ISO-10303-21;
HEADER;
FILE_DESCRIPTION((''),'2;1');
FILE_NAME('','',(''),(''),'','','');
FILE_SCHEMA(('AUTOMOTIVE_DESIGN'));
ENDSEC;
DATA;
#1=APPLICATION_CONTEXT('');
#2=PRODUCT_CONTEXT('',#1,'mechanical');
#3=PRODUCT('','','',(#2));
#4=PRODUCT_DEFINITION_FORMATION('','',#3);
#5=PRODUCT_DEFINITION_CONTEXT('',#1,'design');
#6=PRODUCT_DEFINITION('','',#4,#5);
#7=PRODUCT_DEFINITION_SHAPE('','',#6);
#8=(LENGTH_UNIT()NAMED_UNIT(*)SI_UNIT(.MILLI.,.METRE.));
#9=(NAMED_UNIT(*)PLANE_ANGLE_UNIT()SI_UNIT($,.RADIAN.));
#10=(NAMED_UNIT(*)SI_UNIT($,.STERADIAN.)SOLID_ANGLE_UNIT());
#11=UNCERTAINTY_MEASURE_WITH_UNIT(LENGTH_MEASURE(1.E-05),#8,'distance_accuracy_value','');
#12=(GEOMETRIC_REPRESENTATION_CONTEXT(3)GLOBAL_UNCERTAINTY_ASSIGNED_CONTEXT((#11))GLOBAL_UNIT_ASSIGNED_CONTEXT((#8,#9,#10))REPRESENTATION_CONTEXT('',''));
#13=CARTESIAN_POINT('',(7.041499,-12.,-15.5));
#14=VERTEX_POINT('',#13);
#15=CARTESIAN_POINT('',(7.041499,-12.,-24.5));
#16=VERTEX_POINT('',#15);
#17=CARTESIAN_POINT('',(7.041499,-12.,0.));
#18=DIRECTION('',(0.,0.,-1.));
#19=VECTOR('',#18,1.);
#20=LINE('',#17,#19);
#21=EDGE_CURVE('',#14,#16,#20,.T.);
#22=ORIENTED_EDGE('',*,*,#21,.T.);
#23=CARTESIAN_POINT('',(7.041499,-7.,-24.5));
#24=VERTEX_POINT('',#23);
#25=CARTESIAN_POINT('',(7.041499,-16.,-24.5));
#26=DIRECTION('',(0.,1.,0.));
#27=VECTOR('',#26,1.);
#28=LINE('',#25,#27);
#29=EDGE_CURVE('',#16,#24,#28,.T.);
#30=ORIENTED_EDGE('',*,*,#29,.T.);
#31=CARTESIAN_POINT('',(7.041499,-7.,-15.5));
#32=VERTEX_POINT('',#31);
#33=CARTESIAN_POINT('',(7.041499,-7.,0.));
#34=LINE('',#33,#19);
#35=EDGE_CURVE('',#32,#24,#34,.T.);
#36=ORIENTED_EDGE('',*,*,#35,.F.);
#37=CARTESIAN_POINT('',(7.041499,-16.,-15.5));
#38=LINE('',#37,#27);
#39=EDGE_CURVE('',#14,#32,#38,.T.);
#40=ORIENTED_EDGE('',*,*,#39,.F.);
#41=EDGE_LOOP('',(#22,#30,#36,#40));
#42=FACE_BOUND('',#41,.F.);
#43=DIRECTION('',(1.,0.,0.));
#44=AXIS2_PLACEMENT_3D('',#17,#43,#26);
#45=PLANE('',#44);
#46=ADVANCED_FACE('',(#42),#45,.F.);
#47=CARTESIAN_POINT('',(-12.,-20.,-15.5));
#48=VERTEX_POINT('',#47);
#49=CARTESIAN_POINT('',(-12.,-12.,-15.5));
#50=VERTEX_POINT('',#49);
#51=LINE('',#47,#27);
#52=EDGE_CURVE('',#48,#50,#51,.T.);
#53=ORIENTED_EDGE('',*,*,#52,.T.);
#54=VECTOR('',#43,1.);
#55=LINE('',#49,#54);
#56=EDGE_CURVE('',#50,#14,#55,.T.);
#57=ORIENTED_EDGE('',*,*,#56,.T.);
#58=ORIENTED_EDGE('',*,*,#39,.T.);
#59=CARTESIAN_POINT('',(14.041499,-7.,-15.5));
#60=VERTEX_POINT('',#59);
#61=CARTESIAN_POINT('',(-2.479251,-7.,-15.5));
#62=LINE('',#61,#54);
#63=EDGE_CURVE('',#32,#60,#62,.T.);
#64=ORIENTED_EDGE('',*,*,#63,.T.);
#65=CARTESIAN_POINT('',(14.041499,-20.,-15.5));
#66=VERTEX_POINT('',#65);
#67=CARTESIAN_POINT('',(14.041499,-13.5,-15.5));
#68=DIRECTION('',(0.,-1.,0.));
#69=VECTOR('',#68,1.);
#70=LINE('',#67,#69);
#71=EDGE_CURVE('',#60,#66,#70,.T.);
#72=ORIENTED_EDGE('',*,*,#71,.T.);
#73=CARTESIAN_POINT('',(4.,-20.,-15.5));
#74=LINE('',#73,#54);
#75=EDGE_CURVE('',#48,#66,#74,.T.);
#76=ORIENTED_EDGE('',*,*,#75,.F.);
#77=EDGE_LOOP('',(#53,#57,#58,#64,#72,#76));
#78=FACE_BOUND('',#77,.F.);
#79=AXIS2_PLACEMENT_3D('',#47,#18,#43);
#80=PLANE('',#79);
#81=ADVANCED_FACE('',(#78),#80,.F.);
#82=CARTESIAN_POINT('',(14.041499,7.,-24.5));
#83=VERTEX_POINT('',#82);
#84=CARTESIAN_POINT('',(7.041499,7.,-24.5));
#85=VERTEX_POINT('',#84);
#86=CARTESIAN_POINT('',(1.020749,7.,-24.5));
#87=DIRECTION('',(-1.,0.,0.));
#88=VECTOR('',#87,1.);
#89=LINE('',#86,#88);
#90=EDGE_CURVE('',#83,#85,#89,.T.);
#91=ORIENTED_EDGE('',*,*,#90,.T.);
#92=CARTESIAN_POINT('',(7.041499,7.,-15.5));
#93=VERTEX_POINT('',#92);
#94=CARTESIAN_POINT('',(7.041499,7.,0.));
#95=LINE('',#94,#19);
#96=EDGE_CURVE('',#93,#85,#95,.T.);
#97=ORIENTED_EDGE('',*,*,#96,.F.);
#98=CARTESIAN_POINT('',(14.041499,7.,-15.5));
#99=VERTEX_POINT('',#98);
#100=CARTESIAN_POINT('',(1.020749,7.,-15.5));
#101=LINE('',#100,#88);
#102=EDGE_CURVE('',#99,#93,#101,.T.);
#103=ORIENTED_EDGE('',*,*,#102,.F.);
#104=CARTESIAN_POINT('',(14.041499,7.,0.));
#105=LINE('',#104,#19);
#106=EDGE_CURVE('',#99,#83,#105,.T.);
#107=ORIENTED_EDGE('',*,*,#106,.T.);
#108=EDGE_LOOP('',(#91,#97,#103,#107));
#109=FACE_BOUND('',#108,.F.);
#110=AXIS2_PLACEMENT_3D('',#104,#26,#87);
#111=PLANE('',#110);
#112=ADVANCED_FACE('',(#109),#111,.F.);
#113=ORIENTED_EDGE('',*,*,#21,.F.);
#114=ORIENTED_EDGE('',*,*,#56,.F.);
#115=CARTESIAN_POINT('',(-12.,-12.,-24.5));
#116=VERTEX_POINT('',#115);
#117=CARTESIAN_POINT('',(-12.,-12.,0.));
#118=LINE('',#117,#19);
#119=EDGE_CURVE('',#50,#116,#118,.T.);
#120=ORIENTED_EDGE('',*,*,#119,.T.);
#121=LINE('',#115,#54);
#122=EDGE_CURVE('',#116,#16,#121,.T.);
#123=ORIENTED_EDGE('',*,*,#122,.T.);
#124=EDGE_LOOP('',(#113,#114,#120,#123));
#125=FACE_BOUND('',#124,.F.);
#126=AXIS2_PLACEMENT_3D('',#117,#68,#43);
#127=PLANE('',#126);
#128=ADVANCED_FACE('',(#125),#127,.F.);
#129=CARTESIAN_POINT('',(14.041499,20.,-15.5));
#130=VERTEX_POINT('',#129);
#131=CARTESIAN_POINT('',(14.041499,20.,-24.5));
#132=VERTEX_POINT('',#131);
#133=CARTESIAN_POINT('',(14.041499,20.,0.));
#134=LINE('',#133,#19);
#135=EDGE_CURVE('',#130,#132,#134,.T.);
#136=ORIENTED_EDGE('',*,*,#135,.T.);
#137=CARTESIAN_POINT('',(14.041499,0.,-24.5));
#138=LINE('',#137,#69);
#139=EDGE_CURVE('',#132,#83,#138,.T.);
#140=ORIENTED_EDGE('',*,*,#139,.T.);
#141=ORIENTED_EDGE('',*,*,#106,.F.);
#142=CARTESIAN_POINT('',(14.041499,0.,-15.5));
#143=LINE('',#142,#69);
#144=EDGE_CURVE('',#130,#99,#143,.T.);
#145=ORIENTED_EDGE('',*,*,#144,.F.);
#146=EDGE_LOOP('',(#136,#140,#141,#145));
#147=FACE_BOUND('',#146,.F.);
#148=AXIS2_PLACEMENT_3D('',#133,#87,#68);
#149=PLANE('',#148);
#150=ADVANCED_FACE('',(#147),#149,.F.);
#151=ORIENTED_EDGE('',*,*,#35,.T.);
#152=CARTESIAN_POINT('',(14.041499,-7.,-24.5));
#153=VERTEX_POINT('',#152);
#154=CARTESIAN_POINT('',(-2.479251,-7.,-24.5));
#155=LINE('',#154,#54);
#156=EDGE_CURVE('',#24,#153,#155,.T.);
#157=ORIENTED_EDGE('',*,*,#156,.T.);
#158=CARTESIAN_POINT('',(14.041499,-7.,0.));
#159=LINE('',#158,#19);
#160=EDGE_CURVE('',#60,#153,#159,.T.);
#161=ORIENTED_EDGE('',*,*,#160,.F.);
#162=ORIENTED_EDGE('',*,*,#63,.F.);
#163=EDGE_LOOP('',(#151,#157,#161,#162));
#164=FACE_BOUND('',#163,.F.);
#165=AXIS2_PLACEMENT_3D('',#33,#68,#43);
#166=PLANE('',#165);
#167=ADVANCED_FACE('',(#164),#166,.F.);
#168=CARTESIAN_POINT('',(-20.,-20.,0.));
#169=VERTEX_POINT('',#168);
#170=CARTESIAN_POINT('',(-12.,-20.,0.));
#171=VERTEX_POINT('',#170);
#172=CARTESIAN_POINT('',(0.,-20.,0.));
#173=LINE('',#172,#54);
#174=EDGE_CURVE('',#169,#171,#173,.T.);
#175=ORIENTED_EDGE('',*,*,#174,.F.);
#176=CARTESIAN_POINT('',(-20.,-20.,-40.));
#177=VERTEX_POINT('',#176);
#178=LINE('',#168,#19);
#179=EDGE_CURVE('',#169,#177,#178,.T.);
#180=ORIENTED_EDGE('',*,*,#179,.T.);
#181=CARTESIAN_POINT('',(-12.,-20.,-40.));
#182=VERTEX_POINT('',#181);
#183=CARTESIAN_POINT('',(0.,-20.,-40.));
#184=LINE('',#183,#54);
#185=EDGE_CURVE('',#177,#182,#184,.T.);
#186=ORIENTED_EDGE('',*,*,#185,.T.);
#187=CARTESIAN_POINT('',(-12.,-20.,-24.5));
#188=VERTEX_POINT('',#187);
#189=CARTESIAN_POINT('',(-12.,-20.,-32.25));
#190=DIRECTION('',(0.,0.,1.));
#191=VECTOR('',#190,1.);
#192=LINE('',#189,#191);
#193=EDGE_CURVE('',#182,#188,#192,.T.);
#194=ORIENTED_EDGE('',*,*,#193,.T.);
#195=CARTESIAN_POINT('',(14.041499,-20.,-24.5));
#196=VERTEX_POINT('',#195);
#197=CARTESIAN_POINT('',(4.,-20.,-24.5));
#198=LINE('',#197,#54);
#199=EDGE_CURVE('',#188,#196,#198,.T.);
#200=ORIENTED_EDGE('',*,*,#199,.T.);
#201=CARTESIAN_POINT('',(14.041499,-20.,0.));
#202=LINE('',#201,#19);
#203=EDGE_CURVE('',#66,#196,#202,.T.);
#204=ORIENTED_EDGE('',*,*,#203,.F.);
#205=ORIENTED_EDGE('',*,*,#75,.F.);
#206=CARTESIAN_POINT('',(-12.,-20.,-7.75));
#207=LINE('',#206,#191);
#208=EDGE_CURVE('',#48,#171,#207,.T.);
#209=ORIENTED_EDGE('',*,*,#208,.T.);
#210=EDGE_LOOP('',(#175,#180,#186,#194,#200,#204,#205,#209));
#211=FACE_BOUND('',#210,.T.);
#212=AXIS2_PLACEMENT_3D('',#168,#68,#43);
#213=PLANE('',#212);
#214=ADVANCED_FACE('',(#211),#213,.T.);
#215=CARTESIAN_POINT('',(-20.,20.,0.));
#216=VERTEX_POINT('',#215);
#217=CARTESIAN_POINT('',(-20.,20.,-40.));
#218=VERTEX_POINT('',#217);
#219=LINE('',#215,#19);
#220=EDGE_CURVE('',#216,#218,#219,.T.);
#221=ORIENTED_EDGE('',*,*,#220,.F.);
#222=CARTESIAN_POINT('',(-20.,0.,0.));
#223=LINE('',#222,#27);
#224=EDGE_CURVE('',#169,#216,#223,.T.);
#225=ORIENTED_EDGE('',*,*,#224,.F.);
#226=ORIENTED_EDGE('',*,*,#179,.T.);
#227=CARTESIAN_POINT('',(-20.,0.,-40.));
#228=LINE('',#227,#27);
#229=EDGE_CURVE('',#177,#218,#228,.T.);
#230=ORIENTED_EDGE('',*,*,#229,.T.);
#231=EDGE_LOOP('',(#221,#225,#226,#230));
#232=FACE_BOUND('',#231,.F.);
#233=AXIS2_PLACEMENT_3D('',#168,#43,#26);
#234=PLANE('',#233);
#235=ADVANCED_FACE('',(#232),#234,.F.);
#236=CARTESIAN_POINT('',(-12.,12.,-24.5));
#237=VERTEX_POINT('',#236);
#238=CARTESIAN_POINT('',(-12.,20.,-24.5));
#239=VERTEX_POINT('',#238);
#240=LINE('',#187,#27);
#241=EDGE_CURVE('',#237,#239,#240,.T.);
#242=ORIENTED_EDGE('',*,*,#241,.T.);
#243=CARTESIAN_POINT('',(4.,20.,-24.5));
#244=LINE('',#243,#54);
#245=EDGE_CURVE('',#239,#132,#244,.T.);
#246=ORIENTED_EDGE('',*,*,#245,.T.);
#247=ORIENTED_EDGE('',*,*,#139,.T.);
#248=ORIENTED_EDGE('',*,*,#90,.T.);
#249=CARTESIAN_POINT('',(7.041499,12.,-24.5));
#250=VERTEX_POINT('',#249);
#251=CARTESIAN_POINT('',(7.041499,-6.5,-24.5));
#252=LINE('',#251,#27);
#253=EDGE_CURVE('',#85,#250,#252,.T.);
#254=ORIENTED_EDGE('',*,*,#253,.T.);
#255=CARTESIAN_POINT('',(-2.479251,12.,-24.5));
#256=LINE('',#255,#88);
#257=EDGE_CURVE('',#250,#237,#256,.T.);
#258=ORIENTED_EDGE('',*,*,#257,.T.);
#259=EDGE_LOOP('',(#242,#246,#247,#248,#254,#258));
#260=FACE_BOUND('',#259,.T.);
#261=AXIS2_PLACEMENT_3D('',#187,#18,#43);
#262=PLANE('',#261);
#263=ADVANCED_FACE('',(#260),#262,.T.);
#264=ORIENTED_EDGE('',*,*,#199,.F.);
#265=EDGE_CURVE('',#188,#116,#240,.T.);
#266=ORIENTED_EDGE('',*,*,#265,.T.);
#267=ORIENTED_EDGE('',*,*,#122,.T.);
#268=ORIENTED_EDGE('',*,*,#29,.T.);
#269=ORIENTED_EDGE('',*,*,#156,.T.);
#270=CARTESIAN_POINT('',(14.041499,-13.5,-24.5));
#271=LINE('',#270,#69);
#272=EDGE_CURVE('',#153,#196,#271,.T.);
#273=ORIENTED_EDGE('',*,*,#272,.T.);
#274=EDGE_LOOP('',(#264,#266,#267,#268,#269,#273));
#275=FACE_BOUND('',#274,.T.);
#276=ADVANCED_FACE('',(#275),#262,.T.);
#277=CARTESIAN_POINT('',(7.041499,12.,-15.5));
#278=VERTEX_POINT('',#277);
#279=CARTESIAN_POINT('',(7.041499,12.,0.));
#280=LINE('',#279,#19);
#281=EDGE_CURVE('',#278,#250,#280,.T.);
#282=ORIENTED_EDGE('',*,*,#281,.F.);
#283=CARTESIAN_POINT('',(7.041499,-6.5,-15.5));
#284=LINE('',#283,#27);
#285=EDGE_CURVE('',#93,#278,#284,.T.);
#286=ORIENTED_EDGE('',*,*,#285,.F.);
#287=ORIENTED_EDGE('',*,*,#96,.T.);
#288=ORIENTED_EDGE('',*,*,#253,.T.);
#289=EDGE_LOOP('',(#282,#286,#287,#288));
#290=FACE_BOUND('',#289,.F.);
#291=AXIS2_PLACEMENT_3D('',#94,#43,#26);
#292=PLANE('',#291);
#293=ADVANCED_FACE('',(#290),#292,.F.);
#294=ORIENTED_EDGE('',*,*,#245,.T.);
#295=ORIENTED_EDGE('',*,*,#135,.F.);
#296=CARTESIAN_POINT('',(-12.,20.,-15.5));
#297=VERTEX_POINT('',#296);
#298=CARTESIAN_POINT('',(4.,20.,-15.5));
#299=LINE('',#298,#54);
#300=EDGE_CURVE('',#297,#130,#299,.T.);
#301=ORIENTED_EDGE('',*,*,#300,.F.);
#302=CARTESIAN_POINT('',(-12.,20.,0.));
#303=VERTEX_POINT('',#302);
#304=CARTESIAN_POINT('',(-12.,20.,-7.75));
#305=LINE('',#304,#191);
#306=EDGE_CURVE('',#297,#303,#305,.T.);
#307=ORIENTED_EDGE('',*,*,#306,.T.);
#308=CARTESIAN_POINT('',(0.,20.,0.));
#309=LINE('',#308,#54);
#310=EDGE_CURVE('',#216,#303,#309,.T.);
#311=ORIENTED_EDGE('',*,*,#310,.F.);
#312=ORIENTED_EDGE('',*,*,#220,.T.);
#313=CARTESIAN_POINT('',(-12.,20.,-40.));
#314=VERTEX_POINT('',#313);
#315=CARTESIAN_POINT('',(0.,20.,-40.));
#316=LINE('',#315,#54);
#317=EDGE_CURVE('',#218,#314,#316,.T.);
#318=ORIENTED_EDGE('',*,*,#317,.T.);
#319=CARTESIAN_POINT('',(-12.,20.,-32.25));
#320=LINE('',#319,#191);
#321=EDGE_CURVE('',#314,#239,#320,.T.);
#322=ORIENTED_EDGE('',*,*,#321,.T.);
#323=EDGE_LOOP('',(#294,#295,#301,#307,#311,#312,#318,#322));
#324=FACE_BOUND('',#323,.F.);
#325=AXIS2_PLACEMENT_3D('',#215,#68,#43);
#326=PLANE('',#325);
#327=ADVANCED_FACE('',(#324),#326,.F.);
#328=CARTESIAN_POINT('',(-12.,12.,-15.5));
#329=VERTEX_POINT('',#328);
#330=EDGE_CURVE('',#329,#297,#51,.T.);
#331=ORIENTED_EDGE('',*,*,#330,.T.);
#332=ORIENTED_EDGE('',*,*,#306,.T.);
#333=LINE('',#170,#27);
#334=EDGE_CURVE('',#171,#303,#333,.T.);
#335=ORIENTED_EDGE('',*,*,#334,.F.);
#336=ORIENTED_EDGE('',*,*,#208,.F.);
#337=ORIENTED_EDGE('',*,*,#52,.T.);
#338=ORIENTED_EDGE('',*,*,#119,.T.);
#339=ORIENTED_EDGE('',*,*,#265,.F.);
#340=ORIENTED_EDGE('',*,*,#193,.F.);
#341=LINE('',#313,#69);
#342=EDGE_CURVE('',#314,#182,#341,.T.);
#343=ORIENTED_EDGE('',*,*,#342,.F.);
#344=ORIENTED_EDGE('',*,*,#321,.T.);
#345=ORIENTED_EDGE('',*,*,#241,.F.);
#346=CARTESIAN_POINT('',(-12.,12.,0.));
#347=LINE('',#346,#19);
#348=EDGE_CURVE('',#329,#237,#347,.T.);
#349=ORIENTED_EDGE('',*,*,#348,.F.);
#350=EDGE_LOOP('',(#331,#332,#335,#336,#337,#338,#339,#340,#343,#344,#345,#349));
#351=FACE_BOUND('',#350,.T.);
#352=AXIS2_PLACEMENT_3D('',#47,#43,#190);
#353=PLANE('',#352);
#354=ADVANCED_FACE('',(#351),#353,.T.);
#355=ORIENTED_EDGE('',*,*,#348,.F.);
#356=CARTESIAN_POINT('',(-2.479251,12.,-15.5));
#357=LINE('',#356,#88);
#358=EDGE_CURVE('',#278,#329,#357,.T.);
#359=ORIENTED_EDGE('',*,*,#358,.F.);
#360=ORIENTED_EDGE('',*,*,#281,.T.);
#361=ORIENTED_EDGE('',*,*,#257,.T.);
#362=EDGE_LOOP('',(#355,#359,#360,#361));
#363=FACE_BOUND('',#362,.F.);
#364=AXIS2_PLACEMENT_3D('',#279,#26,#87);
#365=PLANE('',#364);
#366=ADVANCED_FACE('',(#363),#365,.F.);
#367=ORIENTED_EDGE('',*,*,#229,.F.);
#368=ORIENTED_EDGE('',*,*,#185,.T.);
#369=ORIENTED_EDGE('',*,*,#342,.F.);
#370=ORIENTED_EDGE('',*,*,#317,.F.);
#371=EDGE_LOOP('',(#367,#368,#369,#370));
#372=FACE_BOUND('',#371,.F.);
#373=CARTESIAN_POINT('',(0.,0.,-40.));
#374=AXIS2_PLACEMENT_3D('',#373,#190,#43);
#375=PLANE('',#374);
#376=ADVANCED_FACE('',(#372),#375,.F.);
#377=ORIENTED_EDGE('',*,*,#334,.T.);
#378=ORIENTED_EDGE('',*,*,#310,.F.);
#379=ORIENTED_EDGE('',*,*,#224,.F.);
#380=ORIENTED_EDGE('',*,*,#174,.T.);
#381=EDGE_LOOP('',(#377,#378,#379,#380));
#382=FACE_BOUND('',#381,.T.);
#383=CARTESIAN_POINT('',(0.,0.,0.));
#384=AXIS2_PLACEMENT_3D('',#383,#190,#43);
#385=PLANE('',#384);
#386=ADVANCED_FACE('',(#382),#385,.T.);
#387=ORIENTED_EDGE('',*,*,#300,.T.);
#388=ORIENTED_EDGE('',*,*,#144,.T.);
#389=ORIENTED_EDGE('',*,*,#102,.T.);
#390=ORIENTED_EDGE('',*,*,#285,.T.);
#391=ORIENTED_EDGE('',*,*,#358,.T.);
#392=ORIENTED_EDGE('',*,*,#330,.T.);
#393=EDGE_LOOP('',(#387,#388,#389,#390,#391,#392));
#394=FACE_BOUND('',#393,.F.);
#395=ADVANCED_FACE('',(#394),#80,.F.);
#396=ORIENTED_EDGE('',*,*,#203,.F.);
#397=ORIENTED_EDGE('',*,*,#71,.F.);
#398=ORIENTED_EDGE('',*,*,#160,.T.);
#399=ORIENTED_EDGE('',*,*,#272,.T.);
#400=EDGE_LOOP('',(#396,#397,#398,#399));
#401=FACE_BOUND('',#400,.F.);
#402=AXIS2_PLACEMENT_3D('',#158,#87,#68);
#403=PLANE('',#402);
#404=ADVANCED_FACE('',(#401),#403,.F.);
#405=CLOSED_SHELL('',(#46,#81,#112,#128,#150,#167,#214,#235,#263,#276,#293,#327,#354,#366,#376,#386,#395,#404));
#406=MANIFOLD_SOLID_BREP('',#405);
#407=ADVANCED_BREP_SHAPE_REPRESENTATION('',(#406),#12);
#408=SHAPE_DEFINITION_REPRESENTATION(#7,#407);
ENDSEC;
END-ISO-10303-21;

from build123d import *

# Parameters (mm, degrees)
F0_W     = 40
F0_H     = 40
F1_DEPTH = 40
F4_DEPTH = 40
F3_W     = 32
F3_H     = 15.5
F5_DEPTH = 40
F6_DEPTH = 40


with BuildPart() as f1:
    # F0 (on Top) → F1 (new body)
    with BuildSketch(Plane.XY):
        Rectangle(F0_W, F0_H)
    extrude(amount=-F1_DEPTH)

    # F2 (on face) → F4 (cut)
    with BuildSketch(Plane.XY):
        Polygon((20, 20), (14.041499, 20), (14.041499, 7), (7.041499, 7), (7.041499, 12), (-12, 12), (-12, -12), (7.041499, -12), (7.041499, -7), (14.041499, -7), (14.041499, -20), (20, -20), align=None)
    extrude(amount=-F4_DEPTH, mode=Mode.SUBTRACT)

    # F3 (on face) → F5 (cut)
    with BuildSketch(Plane.XZ.offset(20)):
        with Locations((4, -7.75)):
            Rectangle(F3_W, F3_H)
    extrude(amount=-F5_DEPTH, mode=Mode.SUBTRACT)

    # F3 (on face) → F6 (cut)
    with BuildSketch(Plane.XZ.offset(20)):
        with Locations((4, -32.25)):
            Rectangle(F3_W, F3_H)
    extrude(amount=-F6_DEPTH, mode=Mode.SUBTRACT)


solid = f1.part
